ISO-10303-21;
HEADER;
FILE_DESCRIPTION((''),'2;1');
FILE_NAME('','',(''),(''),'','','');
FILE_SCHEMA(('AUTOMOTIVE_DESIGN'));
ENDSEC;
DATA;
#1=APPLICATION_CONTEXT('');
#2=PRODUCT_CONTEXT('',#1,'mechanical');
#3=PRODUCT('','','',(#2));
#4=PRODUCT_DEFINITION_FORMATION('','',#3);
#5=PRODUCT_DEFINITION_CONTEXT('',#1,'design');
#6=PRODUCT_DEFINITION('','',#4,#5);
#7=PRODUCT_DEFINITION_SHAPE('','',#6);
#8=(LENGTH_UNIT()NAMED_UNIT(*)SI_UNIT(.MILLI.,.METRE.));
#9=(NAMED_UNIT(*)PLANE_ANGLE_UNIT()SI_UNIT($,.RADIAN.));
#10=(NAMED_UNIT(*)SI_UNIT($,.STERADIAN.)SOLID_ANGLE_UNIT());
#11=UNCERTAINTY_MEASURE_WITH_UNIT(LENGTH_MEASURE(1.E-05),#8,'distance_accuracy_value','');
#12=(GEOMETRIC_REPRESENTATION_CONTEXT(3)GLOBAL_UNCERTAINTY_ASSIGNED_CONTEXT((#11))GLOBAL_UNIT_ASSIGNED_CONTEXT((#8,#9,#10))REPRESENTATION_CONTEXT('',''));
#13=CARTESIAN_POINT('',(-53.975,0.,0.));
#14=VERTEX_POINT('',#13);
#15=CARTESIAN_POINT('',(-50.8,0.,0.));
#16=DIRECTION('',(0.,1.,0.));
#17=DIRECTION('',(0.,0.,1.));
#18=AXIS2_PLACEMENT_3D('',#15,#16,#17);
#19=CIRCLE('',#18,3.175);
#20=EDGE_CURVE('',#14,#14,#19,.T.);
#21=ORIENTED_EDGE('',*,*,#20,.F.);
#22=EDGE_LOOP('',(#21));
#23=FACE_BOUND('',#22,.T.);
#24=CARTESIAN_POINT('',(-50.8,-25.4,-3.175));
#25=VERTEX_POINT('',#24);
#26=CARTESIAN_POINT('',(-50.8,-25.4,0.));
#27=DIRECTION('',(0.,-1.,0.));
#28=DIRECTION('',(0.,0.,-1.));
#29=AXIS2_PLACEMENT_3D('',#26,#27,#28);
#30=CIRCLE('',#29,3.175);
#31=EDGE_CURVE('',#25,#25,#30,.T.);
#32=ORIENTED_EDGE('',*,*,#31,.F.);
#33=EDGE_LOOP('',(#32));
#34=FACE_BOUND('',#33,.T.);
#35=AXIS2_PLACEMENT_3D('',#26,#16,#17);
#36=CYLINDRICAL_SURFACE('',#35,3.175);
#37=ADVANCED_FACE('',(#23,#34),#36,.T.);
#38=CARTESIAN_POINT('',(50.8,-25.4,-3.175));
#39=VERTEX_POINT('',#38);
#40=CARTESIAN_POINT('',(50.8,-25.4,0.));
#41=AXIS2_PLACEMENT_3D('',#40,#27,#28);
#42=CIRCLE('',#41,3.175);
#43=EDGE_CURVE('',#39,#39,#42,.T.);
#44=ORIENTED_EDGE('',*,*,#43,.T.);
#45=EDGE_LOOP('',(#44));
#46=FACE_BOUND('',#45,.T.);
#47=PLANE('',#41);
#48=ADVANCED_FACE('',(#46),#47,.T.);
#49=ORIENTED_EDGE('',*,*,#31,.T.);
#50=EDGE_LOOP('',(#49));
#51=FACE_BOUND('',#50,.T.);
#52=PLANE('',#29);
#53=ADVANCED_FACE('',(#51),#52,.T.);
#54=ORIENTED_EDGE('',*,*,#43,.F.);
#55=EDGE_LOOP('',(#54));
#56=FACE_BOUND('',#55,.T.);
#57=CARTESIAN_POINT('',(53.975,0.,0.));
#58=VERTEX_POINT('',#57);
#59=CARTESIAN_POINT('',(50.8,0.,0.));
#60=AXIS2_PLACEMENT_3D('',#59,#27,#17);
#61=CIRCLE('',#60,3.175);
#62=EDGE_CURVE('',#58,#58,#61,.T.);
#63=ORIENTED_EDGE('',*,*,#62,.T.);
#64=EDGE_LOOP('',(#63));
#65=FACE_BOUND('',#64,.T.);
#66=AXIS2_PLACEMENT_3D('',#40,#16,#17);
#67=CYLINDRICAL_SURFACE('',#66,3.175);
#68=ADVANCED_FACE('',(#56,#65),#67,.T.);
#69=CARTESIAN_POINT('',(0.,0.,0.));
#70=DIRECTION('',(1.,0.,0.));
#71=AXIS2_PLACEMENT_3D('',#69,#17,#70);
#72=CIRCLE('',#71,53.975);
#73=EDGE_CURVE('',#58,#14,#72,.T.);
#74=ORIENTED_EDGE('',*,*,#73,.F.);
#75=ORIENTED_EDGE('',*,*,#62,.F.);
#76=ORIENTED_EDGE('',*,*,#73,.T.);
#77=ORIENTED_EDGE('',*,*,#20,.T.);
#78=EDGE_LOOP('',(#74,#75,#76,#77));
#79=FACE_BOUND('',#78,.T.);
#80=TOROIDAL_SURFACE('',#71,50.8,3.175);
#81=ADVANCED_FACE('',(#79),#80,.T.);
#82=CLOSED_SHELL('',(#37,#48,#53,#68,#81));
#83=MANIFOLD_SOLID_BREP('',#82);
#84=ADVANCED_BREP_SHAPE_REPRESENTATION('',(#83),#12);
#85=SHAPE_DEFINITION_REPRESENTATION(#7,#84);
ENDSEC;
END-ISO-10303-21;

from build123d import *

# Parameters (mm, degrees)
SKETCH2_R           = 3.175
SKETCH5_R           = 3.175
BOSS_EXTRUDE1_DEPTH = 25.4


with BuildPart() as part:
    # Sweep2: sweep along a path in Sketch4
    with BuildLine(Plane.XY) as sweep2_path:
        ThreePointArc((-50.8, 0), (0, 50.8), (50.8, 0))
    # Sketch2 → Sweep2 (sweep)
    with BuildSketch(Plane(origin=(0, 0, 0), x_dir=(1, 0, 0), z_dir=(0, 1, 0))):
        with Locations((-50.8, 0)):
            Circle(SKETCH2_R)
    sweep(path=sweep2_path.line)

    # Sketch5 → Boss-Extrude1 (add)
    with BuildSketch(Plane.XZ):
        with Locations((-50.8, 0)):
            Circle(SKETCH5_R)
        with Locations((50.8, 0)):
            Circle(SKETCH5_R)
    extrude(amount=BOSS_EXTRUDE1_DEPTH)


solid = part.part
